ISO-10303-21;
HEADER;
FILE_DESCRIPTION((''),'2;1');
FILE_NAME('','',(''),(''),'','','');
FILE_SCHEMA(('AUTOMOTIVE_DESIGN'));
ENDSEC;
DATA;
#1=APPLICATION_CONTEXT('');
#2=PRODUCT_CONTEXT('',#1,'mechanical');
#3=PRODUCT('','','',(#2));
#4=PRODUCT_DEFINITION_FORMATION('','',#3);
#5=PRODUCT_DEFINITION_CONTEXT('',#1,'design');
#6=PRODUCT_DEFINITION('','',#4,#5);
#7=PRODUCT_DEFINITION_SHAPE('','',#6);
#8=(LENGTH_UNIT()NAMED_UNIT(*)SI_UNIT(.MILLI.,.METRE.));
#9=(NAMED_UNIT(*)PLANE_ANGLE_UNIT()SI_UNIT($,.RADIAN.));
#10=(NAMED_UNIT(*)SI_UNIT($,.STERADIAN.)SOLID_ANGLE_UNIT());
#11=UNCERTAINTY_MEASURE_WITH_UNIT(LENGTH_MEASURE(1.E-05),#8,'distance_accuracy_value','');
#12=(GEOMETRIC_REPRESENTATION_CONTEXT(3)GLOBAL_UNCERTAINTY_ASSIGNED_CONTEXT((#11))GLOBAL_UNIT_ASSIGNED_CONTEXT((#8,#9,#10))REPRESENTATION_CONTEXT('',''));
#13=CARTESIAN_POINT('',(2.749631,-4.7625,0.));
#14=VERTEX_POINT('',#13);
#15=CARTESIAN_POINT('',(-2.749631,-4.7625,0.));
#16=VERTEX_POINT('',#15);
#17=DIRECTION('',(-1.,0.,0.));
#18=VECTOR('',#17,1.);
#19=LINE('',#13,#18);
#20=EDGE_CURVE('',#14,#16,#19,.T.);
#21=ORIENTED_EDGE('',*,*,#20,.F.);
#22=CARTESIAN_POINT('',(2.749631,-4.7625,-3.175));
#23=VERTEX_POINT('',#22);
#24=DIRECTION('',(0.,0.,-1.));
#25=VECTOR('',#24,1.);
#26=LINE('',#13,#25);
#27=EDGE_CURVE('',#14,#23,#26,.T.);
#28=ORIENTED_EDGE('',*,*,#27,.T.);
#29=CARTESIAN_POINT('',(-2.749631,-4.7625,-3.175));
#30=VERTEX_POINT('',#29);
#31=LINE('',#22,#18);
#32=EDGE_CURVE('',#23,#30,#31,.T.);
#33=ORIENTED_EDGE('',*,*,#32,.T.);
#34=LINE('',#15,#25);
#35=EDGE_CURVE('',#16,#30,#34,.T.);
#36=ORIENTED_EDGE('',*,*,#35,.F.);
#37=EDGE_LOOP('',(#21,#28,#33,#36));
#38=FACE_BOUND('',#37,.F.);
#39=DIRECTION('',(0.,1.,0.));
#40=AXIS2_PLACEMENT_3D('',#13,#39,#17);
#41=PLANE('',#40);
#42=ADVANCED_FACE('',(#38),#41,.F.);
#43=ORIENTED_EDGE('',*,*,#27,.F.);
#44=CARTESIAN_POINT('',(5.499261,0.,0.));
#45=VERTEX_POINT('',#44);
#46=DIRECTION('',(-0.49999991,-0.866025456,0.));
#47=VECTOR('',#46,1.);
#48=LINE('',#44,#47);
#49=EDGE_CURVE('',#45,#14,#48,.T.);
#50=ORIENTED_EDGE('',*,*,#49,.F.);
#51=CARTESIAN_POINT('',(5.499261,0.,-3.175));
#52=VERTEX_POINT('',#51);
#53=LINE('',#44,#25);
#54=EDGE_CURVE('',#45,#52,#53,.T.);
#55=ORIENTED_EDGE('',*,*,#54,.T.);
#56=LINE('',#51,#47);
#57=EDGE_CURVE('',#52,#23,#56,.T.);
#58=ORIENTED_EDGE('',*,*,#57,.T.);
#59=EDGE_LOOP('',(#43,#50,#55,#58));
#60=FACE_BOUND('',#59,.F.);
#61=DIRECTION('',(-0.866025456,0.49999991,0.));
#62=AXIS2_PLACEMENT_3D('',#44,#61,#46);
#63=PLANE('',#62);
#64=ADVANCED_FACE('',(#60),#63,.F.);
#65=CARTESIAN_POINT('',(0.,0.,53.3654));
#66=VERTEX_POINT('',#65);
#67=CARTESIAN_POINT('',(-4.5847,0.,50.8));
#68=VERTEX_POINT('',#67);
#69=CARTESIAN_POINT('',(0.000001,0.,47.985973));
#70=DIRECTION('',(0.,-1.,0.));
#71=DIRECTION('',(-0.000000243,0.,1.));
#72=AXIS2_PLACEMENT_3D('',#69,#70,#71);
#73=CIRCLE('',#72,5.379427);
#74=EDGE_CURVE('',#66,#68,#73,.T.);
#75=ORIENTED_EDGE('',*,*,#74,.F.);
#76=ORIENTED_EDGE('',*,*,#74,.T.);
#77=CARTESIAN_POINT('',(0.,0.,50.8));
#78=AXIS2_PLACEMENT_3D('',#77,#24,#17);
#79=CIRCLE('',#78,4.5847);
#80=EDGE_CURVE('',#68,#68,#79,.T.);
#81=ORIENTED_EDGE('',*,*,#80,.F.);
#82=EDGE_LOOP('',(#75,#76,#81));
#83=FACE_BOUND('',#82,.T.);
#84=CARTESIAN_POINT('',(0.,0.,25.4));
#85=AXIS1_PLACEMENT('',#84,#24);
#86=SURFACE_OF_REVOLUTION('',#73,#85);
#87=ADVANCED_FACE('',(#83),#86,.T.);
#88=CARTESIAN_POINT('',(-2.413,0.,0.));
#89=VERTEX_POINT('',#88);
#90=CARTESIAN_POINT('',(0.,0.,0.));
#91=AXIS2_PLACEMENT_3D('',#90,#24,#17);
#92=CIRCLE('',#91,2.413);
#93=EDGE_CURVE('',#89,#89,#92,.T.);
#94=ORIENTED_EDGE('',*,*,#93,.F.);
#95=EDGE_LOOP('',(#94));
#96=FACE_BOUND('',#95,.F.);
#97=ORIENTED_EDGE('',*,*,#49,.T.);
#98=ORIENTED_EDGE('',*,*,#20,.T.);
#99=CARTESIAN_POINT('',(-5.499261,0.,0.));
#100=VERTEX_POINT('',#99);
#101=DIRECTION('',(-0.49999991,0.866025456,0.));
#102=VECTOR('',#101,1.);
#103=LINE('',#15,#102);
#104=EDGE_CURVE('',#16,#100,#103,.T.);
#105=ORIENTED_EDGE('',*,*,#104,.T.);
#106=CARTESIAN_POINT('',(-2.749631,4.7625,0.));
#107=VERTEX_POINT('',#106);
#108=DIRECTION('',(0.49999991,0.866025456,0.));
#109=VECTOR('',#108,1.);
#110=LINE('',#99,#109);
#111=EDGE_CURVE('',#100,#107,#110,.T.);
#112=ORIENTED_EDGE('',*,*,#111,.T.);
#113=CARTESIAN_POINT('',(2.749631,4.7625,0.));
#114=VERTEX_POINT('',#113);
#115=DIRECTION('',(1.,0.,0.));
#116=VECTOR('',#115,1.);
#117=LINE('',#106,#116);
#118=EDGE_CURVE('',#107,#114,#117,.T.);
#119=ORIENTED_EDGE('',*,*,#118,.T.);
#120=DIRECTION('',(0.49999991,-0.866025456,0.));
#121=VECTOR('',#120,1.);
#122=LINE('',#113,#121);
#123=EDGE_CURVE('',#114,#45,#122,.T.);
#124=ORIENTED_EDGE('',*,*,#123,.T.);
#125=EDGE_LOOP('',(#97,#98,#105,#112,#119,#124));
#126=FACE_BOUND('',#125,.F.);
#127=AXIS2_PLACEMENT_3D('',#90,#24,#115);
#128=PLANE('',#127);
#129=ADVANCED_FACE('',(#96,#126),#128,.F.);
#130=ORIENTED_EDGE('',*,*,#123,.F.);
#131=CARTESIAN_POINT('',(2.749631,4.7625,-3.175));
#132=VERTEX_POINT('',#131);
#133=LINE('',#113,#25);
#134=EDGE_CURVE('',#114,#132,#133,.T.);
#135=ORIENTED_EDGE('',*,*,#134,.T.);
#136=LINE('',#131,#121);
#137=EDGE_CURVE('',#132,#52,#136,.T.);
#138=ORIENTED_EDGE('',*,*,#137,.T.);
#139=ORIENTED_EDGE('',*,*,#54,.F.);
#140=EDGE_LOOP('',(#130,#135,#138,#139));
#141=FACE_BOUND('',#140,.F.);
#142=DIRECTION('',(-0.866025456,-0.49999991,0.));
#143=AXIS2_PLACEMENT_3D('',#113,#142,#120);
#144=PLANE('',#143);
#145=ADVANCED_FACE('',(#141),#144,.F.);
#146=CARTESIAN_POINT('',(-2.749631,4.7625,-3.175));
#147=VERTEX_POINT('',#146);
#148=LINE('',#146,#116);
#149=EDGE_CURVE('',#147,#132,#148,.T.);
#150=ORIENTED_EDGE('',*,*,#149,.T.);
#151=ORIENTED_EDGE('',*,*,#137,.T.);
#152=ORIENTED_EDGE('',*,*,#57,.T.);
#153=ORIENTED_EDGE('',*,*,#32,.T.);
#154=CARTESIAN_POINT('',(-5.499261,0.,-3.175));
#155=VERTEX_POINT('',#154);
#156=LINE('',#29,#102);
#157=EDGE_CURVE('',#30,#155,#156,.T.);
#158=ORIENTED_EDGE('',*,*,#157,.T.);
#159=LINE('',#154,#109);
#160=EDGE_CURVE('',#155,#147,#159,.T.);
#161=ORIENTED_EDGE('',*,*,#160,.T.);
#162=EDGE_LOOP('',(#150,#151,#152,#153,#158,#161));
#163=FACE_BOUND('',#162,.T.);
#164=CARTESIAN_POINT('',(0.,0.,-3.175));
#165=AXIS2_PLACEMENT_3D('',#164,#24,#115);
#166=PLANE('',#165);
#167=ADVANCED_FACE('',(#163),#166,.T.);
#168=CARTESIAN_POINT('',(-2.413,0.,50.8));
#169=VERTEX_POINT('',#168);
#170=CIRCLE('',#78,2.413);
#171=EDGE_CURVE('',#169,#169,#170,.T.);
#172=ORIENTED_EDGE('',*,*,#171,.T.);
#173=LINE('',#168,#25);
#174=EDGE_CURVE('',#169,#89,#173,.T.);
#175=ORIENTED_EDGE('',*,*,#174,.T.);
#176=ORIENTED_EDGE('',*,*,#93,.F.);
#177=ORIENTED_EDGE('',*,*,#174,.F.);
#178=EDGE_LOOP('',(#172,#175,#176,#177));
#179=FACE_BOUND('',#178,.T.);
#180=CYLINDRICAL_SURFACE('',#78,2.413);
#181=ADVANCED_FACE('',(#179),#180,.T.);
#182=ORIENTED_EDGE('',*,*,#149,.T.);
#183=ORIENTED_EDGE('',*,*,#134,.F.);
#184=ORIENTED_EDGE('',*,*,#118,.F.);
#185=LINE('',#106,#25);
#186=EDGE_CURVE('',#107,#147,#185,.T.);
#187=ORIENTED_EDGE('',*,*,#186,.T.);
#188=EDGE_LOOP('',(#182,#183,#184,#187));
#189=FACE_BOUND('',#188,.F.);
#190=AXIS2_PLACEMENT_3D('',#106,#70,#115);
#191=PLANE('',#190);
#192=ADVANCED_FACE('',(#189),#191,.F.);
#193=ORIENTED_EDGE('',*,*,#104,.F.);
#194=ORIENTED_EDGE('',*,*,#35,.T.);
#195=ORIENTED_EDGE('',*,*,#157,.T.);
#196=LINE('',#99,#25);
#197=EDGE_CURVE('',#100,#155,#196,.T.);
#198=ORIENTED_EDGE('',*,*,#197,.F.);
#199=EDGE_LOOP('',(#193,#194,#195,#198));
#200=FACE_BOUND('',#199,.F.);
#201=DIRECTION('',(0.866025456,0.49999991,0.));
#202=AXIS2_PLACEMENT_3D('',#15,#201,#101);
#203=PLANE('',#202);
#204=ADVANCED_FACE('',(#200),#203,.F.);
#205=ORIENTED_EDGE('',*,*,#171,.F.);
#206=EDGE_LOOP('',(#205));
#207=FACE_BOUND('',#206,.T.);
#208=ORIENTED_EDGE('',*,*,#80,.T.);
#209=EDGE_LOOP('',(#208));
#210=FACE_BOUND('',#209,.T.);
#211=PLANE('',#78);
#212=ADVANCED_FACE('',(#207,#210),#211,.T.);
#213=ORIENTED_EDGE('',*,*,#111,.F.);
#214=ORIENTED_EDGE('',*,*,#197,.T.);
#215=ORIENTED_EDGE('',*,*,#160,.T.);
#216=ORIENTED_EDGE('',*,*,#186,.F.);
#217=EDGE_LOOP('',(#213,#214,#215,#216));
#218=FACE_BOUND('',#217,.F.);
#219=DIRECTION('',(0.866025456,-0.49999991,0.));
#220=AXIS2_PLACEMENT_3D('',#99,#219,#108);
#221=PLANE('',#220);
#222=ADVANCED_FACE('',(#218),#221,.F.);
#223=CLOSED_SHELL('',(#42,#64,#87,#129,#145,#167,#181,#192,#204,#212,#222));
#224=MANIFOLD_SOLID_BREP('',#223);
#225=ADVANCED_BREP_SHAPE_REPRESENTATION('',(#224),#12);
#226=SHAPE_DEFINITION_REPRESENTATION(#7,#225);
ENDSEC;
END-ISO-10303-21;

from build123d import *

# Parameters (mm, degrees)
F3_DEPTH = 3.175


with BuildPart() as f1:
    # F0 (on Front) → F1 (revolve)
    with BuildSketch(Plane.XZ):
        with BuildLine():
            Line((0, 0), (0, 50.8))
            Line((0, 50.8), (0, 53.3654))
            ThreePointArc((0, 53.3654), (-2.626821, 52.680442), (-4.5847, 50.8))
            Line((-4.5847, 50.8), (-2.413, 50.8))
            Line((-2.413, 50.8), (-2.413, 0))
            Line((-2.413, 0), (0, 0))
        make_face()
    revolve(axis=Axis((0, 0, 25.4), (0, 0, -1)))

    # F2 (on face) → F3 (join)
    with BuildSketch(Plane(origin=(0, 0, 0), x_dir=(1, 0, 0), z_dir=(0, 0, -1))):
        Polygon((2.749631, 4.7625), (-2.749631, 4.7625), (-5.499261, 0), (-2.749631, -4.7625), (2.749631, -4.7625), (5.499261, 0), align=None)
    extrude(amount=F3_DEPTH)


solid = f1.part
